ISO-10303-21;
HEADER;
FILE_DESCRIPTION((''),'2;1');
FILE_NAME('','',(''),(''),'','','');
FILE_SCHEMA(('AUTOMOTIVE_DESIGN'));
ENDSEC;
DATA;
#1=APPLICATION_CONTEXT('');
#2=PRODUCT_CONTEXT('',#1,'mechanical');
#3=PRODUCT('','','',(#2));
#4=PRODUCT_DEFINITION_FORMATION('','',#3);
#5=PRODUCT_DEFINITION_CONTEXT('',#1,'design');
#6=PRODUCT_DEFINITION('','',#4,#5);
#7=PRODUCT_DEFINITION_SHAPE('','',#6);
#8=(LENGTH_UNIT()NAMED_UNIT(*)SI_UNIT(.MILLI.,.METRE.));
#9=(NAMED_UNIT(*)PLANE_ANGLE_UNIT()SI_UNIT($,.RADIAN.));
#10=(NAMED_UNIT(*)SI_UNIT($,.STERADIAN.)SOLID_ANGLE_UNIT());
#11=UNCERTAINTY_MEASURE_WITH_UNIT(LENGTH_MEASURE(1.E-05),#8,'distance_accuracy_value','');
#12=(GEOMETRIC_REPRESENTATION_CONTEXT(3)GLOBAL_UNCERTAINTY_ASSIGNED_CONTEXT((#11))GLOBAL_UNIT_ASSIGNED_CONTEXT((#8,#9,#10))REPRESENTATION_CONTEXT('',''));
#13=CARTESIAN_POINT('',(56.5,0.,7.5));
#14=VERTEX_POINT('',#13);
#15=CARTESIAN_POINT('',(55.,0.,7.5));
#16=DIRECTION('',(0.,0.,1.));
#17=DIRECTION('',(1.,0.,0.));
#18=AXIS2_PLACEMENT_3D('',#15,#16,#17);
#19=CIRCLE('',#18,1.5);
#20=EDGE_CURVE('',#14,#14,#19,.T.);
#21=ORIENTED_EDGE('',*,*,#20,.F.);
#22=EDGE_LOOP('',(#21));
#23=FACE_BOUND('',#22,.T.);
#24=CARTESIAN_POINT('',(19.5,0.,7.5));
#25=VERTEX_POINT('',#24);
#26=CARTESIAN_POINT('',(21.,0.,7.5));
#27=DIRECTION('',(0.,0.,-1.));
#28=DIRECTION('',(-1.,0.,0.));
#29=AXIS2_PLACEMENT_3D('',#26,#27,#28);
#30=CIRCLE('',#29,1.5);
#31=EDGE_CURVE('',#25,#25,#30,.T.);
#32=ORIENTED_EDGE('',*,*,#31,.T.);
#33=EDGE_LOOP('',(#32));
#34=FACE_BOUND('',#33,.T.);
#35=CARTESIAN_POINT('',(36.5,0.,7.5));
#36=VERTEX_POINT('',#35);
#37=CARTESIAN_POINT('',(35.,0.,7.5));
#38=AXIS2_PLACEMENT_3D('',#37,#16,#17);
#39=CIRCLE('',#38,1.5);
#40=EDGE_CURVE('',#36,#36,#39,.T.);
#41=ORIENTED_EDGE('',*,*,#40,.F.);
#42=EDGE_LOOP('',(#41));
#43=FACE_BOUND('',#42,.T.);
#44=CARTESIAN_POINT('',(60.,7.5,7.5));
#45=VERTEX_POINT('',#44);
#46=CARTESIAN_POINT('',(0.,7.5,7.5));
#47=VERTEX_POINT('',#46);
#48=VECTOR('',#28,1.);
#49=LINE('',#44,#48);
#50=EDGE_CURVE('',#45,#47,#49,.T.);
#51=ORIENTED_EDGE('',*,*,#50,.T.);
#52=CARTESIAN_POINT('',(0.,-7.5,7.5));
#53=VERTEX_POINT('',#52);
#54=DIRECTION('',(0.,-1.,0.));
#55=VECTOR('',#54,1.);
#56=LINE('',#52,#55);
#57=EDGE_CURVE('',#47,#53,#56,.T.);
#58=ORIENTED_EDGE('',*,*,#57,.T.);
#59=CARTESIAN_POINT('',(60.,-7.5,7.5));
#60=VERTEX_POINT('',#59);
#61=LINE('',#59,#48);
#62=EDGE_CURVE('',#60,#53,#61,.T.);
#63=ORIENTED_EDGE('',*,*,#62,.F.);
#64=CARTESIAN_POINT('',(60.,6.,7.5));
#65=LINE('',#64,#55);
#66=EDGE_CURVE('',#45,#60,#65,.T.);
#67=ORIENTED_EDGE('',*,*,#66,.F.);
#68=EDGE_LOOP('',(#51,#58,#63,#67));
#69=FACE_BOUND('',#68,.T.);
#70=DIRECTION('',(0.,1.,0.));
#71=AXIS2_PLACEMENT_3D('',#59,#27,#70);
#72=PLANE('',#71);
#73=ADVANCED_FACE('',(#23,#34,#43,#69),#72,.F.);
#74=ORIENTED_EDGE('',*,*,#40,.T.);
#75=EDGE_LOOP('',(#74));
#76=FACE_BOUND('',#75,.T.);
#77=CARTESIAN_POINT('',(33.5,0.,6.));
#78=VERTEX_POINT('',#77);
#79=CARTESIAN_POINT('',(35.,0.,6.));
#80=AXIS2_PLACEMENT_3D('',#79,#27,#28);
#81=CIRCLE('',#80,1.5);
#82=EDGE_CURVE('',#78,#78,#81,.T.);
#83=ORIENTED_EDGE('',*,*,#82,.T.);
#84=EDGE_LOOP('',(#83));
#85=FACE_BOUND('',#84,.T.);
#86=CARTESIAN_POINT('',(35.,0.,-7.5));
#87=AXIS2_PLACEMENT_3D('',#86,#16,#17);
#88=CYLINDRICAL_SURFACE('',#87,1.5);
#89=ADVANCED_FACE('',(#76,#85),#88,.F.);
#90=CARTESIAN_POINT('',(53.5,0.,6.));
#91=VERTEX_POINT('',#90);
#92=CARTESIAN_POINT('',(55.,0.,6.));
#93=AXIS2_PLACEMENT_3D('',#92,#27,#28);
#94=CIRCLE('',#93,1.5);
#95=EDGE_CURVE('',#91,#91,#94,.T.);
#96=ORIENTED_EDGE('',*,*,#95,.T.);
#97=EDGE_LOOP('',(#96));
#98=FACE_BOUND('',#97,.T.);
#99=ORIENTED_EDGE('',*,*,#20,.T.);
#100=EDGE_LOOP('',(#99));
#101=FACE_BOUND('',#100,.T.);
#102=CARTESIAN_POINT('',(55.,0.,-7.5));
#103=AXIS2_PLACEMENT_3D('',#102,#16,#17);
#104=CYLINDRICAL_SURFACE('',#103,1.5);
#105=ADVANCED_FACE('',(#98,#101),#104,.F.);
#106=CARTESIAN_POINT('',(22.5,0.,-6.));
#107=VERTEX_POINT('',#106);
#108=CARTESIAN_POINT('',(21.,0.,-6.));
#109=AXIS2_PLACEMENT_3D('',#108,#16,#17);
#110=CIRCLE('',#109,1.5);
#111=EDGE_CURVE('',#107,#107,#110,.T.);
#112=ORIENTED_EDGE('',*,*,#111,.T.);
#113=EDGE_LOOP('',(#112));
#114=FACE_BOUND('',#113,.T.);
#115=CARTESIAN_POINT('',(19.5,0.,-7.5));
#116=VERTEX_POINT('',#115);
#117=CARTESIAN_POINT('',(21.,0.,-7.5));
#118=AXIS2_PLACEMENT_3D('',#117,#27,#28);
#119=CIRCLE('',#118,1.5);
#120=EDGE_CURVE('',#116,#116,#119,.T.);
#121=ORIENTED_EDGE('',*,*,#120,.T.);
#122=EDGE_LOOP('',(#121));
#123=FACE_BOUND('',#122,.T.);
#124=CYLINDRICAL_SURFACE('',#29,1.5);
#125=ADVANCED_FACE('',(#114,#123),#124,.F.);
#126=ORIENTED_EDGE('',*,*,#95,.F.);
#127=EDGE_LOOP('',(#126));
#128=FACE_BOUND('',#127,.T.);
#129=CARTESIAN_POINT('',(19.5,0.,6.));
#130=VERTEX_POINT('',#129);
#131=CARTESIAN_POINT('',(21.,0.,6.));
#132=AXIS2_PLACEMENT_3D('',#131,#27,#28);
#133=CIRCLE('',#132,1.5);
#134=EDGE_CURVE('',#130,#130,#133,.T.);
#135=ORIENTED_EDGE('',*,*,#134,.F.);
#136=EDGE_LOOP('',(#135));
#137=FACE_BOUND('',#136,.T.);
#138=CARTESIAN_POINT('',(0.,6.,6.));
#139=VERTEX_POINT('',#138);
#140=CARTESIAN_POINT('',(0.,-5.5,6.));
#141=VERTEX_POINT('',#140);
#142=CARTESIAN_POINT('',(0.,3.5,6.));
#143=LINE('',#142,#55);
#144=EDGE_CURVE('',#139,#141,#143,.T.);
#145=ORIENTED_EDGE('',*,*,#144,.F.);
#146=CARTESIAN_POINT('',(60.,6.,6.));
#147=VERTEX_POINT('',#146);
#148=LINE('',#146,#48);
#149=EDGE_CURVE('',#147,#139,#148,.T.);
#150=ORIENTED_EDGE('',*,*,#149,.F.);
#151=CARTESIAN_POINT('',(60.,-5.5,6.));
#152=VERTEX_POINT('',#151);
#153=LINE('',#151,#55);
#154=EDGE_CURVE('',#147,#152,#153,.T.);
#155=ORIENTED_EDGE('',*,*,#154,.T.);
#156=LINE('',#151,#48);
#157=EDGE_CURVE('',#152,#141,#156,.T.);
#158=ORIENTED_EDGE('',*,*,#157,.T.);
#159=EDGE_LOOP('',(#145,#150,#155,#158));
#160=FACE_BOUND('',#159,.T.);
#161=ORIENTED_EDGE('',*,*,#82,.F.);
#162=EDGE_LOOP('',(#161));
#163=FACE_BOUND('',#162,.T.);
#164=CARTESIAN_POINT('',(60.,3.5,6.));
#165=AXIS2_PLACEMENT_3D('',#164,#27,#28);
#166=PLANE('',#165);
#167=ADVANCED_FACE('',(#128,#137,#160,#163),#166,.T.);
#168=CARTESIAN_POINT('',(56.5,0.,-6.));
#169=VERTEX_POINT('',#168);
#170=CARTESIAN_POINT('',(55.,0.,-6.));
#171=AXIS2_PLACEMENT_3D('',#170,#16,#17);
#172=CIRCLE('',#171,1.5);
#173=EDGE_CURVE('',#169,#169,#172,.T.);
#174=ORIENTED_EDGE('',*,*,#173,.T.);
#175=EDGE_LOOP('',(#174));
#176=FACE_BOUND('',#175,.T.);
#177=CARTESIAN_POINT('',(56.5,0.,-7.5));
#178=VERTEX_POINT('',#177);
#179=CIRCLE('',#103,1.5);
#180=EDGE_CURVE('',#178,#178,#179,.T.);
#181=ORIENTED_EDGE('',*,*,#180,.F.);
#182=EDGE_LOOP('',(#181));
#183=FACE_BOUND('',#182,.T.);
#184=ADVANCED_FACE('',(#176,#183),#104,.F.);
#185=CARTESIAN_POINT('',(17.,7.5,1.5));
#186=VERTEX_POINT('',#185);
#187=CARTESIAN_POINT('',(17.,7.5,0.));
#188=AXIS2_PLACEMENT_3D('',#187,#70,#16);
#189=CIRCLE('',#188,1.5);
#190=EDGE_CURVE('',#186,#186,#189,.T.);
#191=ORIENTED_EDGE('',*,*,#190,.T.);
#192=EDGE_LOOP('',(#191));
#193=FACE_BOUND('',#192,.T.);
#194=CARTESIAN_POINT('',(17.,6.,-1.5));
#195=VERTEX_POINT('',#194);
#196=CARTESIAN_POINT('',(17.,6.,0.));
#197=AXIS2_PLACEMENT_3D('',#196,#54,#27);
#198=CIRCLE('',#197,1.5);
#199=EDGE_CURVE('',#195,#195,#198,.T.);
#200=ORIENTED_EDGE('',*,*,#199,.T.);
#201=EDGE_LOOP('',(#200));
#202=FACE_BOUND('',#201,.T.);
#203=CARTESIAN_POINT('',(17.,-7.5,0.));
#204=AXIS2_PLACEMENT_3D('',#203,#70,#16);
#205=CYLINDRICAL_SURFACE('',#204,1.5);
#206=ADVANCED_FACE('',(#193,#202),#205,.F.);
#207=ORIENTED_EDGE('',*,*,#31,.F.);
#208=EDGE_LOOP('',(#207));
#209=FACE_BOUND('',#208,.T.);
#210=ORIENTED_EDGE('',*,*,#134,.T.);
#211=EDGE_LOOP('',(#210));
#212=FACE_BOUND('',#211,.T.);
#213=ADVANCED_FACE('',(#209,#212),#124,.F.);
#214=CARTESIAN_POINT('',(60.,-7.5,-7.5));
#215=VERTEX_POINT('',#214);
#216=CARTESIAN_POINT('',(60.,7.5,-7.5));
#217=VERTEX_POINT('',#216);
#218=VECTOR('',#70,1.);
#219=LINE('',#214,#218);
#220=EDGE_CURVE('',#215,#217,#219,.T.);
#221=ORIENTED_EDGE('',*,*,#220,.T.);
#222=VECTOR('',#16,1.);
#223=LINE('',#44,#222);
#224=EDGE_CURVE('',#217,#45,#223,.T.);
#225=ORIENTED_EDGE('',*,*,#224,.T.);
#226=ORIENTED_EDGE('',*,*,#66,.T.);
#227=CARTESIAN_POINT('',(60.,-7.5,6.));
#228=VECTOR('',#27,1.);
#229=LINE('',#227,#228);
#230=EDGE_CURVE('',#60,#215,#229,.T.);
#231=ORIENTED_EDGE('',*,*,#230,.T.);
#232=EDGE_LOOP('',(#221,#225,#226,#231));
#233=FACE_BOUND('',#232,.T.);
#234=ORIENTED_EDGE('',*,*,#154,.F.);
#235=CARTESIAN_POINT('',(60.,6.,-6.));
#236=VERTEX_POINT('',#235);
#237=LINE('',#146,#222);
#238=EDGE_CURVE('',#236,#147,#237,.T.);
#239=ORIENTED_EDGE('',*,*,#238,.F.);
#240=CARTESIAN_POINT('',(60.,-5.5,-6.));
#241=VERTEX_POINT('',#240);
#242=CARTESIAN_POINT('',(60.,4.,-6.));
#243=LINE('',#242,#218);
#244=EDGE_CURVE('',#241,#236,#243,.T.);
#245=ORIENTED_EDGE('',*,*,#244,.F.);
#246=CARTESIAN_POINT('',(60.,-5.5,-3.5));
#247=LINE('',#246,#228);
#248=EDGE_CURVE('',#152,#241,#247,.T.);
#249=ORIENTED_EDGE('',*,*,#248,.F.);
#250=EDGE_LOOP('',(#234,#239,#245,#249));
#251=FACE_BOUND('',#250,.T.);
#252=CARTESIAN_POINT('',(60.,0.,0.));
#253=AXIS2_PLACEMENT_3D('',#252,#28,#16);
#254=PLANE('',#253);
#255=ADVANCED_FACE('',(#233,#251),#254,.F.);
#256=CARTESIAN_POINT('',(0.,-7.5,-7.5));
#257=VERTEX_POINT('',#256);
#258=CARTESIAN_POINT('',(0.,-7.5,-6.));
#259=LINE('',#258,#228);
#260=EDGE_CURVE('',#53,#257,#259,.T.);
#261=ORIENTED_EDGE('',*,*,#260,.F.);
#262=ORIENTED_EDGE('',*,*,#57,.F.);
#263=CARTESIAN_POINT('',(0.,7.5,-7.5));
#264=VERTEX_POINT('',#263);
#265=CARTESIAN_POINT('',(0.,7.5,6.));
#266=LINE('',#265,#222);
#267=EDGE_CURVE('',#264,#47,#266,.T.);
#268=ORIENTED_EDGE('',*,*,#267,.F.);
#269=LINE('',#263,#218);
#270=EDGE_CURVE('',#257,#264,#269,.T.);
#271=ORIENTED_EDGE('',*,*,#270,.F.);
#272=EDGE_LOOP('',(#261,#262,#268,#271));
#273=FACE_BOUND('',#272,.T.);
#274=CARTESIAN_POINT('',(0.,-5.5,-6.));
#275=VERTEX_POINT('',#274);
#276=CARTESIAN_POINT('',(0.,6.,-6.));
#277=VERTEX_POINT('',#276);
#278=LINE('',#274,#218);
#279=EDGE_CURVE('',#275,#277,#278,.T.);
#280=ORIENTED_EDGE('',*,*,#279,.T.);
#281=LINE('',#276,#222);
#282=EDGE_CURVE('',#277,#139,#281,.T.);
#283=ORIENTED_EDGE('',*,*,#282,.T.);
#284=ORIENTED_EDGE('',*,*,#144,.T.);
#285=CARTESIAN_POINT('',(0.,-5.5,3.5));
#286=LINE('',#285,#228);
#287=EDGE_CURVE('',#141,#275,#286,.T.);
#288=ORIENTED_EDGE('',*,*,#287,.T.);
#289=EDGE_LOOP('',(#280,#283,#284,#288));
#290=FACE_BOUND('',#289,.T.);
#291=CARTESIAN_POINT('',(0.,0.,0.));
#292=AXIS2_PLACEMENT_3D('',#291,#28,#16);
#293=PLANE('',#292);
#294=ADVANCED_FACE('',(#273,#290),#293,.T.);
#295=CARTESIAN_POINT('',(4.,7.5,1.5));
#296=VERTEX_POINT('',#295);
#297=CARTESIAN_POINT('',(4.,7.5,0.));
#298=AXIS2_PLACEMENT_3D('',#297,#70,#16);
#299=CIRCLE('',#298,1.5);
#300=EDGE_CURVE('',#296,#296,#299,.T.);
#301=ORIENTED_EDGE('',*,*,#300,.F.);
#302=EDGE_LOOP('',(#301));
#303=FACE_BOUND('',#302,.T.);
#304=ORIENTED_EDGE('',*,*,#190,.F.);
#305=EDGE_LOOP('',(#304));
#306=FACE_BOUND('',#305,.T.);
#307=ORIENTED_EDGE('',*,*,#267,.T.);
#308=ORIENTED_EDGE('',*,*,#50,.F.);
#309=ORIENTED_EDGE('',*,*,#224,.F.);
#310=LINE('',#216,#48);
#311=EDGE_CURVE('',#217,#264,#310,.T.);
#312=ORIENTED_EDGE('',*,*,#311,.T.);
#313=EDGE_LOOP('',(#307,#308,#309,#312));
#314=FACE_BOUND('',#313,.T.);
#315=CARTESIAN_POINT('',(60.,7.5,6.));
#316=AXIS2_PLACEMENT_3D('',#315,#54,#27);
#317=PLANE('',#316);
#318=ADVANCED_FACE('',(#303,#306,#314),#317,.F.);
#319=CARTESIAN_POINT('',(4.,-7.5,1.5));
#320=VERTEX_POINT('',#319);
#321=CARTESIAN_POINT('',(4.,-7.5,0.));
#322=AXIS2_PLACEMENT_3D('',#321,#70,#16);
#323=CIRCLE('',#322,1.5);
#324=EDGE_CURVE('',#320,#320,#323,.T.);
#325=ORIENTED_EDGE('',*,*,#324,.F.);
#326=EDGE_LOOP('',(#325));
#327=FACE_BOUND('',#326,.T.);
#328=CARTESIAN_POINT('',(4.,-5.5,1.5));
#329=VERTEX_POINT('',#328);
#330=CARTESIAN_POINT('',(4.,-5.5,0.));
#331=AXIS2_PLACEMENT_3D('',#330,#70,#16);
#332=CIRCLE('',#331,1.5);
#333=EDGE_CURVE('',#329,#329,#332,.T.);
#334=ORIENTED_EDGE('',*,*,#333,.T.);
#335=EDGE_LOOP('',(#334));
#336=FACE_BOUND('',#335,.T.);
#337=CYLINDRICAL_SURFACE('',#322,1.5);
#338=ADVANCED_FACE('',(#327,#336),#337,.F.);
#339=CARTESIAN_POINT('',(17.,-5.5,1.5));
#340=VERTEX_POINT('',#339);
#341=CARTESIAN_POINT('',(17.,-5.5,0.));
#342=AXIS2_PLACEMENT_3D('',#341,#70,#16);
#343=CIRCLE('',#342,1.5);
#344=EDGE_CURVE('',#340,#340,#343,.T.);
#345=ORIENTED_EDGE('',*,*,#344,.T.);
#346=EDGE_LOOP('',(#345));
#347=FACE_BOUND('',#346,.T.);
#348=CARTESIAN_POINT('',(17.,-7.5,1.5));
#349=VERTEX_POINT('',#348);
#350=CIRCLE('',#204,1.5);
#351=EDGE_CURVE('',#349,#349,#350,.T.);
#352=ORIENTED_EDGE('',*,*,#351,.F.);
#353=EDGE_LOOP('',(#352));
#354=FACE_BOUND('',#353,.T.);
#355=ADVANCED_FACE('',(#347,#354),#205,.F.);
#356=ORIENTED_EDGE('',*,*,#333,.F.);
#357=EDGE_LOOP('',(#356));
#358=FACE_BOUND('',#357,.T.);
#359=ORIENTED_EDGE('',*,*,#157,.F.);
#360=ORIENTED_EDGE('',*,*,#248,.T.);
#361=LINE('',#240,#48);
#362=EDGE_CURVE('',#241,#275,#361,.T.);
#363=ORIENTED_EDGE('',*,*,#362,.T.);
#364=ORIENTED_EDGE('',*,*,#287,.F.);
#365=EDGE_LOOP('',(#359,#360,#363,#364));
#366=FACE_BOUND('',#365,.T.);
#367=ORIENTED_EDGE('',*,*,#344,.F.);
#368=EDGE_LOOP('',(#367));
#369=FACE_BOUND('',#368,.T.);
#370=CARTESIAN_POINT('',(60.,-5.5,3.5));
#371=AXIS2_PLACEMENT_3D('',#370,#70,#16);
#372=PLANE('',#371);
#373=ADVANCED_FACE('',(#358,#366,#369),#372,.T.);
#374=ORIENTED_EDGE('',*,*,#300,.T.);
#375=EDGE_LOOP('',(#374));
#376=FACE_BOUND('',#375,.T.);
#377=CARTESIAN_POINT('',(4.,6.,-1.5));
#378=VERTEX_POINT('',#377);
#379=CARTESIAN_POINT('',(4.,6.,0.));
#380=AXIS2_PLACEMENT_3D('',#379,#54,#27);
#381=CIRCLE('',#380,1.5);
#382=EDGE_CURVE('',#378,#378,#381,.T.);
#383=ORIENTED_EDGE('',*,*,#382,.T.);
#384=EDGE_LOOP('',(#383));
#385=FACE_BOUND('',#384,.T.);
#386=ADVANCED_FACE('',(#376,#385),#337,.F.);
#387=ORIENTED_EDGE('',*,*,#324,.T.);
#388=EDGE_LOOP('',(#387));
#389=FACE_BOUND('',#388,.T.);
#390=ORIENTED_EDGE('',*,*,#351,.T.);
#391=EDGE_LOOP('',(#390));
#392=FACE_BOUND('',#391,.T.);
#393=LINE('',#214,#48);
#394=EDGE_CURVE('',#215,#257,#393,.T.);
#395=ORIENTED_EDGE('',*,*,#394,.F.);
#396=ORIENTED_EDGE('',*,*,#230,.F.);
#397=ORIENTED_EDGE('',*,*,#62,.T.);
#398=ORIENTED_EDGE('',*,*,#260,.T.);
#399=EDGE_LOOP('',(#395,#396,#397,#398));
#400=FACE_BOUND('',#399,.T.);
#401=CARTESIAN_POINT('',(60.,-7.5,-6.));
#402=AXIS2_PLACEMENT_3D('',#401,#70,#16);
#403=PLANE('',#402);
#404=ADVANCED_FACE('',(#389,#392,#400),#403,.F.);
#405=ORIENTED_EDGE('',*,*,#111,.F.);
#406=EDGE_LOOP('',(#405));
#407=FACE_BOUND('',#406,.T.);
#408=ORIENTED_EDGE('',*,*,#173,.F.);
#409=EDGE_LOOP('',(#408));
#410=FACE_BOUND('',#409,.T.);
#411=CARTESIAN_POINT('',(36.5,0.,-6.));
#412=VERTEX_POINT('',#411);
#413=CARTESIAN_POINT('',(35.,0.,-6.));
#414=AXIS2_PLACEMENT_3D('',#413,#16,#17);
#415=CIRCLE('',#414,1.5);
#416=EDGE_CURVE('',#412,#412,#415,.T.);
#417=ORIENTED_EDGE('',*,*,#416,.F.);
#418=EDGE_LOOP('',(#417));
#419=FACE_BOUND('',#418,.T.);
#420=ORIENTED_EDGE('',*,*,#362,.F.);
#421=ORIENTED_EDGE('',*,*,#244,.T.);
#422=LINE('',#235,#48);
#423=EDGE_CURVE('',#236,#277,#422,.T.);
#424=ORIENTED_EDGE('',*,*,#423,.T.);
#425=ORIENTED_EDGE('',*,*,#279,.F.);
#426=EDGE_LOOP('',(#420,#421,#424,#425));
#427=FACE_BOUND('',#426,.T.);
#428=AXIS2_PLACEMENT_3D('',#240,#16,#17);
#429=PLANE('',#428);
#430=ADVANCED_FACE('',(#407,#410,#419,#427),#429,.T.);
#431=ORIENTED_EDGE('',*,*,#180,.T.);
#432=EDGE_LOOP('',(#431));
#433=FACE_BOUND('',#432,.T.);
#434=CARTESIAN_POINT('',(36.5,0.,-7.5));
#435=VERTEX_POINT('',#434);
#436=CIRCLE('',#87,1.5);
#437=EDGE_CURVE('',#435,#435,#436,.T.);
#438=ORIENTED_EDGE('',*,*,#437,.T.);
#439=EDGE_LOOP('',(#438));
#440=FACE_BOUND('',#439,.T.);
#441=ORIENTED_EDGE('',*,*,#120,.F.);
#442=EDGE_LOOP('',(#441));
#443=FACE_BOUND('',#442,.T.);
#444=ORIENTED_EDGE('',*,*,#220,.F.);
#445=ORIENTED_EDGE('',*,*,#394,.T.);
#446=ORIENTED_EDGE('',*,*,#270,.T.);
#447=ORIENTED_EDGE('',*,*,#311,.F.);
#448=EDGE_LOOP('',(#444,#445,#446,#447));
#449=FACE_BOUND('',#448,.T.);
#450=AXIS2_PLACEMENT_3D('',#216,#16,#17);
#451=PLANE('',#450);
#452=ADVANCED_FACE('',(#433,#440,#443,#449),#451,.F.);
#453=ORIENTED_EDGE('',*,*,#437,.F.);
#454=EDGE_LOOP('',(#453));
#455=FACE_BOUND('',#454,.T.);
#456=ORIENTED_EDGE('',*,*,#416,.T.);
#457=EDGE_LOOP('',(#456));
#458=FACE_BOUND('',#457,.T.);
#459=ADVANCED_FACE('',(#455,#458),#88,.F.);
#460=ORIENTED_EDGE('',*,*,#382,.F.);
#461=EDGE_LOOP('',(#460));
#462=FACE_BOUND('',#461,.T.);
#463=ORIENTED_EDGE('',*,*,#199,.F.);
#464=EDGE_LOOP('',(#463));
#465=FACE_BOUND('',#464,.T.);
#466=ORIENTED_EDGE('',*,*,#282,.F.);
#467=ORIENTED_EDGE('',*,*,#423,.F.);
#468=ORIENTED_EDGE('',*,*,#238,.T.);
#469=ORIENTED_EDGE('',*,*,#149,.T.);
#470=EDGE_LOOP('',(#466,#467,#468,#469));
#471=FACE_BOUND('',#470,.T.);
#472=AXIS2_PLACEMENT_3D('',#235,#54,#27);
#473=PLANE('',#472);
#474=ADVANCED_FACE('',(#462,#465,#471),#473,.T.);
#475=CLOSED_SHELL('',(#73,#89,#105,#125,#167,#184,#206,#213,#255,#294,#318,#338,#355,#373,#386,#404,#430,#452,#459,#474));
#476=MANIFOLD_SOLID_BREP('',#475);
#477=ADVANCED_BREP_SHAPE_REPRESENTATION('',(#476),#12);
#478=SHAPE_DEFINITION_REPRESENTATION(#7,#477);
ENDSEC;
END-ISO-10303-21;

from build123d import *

# Parameters (mm, degrees)
MEMBER_15_15_1_5_1_DEPTH = 60
SKETCH_3_R               = 1.5
CUT_EXTRUDE_1_DEPTH      = 63.299678972
SKETCH_5_R               = 1.5
CUT_EXTRUDE_2_DEPTH      = 63.299678972
SKETCH_6_R               = 1.5
CUT_EXTRUDE_3_DEPTH      = 63.299678972


with BuildPart() as part:
    # Sketch1 → Member 15 _15_ 1.5_1 (new body)
    with BuildSketch(Plane.YZ):
        Polygon((-6, -7.5), (6, -7.5), (7.5, -7.5), (7.5, -6), (7.5, 6), (7.5, 7.5), (6, 7.5), (-6, 7.5), (-7.5, 7.5), (-7.5, 6), (-7.5, -6), (-7.5, -7.5), align=None)
        Polygon((-4, -6), (4, -6), (6, -6), (6, -3.5), (6, 3.5), (6, 6), (3.5, 6), (-3.5, 6), (-5.5, 6), (-5.5, 3.5), (-5.5, -3.5), (-5.5, -6), align=None, mode=Mode.SUBTRACT)
    extrude(amount=MEMBER_15_15_1_5_1_DEPTH)

    # 草图3 → 切除-拉伸1 (cut, through all)
    with BuildSketch(Plane(origin=(0, 7.5, 0), x_dir=(1, 0, 0), z_dir=(0, 1, 0))):
        with Locations(Location((17, 0, 0), (0, 0, 270))):
            Circle(SKETCH_3_R)
        with Locations(Location((4, 0, 0), (0, 0, 270))):
            Circle(SKETCH_3_R)
    extrude(amount=-CUT_EXTRUDE_1_DEPTH, mode=Mode.SUBTRACT)

    # 草图5 → 切除-拉伸2 (cut, through all)
    with BuildSketch(Plane.XY.offset(7.5)):
        with Locations((55, 0)):
            Circle(SKETCH_5_R)
        with Locations((35, 0)):
            Circle(SKETCH_5_R)
    extrude(amount=-CUT_EXTRUDE_2_DEPTH, mode=Mode.SUBTRACT)

    # 草图6 → 切除-拉伸3 (cut, through all)
    with BuildSketch(Plane(origin=(0, 0, -7.5), x_dir=(-1, 0, 0), z_dir=(0, 0, -1))):
        with Locations((-21, 0)):
            Circle(SKETCH_6_R)
    extrude(amount=-CUT_EXTRUDE_3_DEPTH, mode=Mode.SUBTRACT)


solid = part.part
